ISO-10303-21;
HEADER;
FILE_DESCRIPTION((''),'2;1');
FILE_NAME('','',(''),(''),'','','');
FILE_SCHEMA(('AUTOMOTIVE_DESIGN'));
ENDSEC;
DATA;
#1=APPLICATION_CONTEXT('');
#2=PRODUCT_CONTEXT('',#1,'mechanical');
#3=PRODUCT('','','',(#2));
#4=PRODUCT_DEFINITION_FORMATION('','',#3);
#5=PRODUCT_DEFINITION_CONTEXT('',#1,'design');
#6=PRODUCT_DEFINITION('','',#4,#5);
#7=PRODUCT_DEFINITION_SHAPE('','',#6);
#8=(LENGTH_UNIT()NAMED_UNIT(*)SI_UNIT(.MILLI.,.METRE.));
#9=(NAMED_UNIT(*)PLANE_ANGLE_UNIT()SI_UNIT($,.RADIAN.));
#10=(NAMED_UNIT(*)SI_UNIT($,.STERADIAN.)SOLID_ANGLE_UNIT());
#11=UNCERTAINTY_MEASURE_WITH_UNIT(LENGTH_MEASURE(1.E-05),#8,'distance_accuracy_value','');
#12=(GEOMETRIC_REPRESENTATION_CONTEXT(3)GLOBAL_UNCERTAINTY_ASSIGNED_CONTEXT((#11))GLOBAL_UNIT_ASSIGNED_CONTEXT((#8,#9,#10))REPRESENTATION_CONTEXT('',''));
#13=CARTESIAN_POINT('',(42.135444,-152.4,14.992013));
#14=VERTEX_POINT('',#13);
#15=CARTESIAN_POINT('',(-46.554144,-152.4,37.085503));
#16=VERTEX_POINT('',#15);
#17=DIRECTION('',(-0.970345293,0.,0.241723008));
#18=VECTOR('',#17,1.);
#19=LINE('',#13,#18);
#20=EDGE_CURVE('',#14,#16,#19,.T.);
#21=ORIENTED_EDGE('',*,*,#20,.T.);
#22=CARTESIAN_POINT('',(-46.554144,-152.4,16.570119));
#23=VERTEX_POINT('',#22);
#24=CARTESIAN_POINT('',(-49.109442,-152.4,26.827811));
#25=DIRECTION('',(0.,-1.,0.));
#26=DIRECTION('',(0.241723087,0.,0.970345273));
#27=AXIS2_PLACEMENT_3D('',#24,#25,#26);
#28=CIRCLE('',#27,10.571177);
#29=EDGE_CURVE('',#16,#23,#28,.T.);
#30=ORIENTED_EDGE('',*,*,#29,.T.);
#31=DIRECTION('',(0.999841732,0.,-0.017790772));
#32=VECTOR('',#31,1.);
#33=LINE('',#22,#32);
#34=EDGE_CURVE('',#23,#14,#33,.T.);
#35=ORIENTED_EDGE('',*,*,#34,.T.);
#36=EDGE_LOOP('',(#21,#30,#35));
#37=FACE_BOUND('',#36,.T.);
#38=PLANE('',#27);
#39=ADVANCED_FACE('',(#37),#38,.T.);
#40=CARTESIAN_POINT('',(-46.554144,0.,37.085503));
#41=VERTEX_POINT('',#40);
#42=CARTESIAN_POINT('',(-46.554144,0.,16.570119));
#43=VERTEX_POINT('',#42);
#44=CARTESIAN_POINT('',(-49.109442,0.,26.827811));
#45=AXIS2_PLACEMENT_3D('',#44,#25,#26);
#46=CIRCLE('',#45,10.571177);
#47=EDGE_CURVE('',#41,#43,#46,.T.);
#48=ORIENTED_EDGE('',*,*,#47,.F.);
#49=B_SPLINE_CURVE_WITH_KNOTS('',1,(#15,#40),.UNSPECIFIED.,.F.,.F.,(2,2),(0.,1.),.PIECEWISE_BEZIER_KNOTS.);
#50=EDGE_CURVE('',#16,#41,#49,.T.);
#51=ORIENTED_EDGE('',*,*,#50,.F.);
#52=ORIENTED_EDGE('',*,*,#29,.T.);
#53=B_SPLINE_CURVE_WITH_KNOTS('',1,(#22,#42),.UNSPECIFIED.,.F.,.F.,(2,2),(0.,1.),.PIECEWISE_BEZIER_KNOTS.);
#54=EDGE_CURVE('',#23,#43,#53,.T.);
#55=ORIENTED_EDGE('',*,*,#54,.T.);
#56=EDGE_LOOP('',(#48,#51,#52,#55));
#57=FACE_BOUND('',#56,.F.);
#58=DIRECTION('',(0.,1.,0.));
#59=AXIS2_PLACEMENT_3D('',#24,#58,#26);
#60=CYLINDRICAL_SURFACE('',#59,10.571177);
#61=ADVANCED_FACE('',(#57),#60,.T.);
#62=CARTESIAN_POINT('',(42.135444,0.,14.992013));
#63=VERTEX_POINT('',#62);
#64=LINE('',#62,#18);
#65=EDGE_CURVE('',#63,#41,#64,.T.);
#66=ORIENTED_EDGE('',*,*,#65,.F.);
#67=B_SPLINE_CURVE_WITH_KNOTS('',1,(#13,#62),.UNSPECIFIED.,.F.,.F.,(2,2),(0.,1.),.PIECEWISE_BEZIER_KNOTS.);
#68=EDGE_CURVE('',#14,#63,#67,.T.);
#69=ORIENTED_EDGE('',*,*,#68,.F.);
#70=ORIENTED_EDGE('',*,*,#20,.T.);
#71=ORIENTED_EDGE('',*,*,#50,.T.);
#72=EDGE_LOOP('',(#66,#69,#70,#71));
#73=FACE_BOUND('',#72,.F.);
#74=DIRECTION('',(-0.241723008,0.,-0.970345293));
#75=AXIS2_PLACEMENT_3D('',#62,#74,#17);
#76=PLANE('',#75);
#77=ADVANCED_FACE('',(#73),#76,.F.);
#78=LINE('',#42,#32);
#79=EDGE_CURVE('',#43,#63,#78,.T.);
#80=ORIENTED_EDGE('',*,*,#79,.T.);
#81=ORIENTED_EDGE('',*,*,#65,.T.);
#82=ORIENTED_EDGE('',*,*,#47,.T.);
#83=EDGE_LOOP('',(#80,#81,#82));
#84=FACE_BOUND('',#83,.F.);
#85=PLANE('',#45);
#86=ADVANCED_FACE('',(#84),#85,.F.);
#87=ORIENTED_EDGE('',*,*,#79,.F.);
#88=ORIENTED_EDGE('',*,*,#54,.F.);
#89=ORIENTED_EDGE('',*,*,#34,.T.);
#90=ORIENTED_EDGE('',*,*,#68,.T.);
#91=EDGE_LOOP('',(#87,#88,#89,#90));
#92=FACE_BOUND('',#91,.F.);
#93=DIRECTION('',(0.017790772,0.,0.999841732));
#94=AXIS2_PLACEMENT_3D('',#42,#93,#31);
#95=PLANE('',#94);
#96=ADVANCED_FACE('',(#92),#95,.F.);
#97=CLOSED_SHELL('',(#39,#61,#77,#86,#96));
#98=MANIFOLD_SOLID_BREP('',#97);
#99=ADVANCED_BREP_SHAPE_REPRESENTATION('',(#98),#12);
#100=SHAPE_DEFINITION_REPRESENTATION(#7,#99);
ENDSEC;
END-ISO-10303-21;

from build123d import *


with BuildPart() as f3:
    # F2 (on offset) → F3 section 0
    with BuildSketch(Plane.XZ.offset(152.4)):
        with BuildLine():
            Line((42.135444, 14.992013), (-46.554144, 37.085503))
            ThreePointArc((-46.554144, 37.085503), (-59.680619, 26.827811), (-46.554144, 16.570119))
            Line((-46.554144, 16.570119), (42.135444, 14.992013))
        make_face()
    # F0 (on Front) → F3 section 1
    with BuildSketch(Plane.XZ):
        with BuildLine():
            Line((42.135444, 14.992013), (-46.554144, 37.085503))
            ThreePointArc((-46.554144, 37.085503), (-59.680619, 26.827811), (-46.554144, 16.570119))
            Line((-46.554144, 16.570119), (42.135444, 14.992013))
        make_face()
    loft()


solid = f3.part
